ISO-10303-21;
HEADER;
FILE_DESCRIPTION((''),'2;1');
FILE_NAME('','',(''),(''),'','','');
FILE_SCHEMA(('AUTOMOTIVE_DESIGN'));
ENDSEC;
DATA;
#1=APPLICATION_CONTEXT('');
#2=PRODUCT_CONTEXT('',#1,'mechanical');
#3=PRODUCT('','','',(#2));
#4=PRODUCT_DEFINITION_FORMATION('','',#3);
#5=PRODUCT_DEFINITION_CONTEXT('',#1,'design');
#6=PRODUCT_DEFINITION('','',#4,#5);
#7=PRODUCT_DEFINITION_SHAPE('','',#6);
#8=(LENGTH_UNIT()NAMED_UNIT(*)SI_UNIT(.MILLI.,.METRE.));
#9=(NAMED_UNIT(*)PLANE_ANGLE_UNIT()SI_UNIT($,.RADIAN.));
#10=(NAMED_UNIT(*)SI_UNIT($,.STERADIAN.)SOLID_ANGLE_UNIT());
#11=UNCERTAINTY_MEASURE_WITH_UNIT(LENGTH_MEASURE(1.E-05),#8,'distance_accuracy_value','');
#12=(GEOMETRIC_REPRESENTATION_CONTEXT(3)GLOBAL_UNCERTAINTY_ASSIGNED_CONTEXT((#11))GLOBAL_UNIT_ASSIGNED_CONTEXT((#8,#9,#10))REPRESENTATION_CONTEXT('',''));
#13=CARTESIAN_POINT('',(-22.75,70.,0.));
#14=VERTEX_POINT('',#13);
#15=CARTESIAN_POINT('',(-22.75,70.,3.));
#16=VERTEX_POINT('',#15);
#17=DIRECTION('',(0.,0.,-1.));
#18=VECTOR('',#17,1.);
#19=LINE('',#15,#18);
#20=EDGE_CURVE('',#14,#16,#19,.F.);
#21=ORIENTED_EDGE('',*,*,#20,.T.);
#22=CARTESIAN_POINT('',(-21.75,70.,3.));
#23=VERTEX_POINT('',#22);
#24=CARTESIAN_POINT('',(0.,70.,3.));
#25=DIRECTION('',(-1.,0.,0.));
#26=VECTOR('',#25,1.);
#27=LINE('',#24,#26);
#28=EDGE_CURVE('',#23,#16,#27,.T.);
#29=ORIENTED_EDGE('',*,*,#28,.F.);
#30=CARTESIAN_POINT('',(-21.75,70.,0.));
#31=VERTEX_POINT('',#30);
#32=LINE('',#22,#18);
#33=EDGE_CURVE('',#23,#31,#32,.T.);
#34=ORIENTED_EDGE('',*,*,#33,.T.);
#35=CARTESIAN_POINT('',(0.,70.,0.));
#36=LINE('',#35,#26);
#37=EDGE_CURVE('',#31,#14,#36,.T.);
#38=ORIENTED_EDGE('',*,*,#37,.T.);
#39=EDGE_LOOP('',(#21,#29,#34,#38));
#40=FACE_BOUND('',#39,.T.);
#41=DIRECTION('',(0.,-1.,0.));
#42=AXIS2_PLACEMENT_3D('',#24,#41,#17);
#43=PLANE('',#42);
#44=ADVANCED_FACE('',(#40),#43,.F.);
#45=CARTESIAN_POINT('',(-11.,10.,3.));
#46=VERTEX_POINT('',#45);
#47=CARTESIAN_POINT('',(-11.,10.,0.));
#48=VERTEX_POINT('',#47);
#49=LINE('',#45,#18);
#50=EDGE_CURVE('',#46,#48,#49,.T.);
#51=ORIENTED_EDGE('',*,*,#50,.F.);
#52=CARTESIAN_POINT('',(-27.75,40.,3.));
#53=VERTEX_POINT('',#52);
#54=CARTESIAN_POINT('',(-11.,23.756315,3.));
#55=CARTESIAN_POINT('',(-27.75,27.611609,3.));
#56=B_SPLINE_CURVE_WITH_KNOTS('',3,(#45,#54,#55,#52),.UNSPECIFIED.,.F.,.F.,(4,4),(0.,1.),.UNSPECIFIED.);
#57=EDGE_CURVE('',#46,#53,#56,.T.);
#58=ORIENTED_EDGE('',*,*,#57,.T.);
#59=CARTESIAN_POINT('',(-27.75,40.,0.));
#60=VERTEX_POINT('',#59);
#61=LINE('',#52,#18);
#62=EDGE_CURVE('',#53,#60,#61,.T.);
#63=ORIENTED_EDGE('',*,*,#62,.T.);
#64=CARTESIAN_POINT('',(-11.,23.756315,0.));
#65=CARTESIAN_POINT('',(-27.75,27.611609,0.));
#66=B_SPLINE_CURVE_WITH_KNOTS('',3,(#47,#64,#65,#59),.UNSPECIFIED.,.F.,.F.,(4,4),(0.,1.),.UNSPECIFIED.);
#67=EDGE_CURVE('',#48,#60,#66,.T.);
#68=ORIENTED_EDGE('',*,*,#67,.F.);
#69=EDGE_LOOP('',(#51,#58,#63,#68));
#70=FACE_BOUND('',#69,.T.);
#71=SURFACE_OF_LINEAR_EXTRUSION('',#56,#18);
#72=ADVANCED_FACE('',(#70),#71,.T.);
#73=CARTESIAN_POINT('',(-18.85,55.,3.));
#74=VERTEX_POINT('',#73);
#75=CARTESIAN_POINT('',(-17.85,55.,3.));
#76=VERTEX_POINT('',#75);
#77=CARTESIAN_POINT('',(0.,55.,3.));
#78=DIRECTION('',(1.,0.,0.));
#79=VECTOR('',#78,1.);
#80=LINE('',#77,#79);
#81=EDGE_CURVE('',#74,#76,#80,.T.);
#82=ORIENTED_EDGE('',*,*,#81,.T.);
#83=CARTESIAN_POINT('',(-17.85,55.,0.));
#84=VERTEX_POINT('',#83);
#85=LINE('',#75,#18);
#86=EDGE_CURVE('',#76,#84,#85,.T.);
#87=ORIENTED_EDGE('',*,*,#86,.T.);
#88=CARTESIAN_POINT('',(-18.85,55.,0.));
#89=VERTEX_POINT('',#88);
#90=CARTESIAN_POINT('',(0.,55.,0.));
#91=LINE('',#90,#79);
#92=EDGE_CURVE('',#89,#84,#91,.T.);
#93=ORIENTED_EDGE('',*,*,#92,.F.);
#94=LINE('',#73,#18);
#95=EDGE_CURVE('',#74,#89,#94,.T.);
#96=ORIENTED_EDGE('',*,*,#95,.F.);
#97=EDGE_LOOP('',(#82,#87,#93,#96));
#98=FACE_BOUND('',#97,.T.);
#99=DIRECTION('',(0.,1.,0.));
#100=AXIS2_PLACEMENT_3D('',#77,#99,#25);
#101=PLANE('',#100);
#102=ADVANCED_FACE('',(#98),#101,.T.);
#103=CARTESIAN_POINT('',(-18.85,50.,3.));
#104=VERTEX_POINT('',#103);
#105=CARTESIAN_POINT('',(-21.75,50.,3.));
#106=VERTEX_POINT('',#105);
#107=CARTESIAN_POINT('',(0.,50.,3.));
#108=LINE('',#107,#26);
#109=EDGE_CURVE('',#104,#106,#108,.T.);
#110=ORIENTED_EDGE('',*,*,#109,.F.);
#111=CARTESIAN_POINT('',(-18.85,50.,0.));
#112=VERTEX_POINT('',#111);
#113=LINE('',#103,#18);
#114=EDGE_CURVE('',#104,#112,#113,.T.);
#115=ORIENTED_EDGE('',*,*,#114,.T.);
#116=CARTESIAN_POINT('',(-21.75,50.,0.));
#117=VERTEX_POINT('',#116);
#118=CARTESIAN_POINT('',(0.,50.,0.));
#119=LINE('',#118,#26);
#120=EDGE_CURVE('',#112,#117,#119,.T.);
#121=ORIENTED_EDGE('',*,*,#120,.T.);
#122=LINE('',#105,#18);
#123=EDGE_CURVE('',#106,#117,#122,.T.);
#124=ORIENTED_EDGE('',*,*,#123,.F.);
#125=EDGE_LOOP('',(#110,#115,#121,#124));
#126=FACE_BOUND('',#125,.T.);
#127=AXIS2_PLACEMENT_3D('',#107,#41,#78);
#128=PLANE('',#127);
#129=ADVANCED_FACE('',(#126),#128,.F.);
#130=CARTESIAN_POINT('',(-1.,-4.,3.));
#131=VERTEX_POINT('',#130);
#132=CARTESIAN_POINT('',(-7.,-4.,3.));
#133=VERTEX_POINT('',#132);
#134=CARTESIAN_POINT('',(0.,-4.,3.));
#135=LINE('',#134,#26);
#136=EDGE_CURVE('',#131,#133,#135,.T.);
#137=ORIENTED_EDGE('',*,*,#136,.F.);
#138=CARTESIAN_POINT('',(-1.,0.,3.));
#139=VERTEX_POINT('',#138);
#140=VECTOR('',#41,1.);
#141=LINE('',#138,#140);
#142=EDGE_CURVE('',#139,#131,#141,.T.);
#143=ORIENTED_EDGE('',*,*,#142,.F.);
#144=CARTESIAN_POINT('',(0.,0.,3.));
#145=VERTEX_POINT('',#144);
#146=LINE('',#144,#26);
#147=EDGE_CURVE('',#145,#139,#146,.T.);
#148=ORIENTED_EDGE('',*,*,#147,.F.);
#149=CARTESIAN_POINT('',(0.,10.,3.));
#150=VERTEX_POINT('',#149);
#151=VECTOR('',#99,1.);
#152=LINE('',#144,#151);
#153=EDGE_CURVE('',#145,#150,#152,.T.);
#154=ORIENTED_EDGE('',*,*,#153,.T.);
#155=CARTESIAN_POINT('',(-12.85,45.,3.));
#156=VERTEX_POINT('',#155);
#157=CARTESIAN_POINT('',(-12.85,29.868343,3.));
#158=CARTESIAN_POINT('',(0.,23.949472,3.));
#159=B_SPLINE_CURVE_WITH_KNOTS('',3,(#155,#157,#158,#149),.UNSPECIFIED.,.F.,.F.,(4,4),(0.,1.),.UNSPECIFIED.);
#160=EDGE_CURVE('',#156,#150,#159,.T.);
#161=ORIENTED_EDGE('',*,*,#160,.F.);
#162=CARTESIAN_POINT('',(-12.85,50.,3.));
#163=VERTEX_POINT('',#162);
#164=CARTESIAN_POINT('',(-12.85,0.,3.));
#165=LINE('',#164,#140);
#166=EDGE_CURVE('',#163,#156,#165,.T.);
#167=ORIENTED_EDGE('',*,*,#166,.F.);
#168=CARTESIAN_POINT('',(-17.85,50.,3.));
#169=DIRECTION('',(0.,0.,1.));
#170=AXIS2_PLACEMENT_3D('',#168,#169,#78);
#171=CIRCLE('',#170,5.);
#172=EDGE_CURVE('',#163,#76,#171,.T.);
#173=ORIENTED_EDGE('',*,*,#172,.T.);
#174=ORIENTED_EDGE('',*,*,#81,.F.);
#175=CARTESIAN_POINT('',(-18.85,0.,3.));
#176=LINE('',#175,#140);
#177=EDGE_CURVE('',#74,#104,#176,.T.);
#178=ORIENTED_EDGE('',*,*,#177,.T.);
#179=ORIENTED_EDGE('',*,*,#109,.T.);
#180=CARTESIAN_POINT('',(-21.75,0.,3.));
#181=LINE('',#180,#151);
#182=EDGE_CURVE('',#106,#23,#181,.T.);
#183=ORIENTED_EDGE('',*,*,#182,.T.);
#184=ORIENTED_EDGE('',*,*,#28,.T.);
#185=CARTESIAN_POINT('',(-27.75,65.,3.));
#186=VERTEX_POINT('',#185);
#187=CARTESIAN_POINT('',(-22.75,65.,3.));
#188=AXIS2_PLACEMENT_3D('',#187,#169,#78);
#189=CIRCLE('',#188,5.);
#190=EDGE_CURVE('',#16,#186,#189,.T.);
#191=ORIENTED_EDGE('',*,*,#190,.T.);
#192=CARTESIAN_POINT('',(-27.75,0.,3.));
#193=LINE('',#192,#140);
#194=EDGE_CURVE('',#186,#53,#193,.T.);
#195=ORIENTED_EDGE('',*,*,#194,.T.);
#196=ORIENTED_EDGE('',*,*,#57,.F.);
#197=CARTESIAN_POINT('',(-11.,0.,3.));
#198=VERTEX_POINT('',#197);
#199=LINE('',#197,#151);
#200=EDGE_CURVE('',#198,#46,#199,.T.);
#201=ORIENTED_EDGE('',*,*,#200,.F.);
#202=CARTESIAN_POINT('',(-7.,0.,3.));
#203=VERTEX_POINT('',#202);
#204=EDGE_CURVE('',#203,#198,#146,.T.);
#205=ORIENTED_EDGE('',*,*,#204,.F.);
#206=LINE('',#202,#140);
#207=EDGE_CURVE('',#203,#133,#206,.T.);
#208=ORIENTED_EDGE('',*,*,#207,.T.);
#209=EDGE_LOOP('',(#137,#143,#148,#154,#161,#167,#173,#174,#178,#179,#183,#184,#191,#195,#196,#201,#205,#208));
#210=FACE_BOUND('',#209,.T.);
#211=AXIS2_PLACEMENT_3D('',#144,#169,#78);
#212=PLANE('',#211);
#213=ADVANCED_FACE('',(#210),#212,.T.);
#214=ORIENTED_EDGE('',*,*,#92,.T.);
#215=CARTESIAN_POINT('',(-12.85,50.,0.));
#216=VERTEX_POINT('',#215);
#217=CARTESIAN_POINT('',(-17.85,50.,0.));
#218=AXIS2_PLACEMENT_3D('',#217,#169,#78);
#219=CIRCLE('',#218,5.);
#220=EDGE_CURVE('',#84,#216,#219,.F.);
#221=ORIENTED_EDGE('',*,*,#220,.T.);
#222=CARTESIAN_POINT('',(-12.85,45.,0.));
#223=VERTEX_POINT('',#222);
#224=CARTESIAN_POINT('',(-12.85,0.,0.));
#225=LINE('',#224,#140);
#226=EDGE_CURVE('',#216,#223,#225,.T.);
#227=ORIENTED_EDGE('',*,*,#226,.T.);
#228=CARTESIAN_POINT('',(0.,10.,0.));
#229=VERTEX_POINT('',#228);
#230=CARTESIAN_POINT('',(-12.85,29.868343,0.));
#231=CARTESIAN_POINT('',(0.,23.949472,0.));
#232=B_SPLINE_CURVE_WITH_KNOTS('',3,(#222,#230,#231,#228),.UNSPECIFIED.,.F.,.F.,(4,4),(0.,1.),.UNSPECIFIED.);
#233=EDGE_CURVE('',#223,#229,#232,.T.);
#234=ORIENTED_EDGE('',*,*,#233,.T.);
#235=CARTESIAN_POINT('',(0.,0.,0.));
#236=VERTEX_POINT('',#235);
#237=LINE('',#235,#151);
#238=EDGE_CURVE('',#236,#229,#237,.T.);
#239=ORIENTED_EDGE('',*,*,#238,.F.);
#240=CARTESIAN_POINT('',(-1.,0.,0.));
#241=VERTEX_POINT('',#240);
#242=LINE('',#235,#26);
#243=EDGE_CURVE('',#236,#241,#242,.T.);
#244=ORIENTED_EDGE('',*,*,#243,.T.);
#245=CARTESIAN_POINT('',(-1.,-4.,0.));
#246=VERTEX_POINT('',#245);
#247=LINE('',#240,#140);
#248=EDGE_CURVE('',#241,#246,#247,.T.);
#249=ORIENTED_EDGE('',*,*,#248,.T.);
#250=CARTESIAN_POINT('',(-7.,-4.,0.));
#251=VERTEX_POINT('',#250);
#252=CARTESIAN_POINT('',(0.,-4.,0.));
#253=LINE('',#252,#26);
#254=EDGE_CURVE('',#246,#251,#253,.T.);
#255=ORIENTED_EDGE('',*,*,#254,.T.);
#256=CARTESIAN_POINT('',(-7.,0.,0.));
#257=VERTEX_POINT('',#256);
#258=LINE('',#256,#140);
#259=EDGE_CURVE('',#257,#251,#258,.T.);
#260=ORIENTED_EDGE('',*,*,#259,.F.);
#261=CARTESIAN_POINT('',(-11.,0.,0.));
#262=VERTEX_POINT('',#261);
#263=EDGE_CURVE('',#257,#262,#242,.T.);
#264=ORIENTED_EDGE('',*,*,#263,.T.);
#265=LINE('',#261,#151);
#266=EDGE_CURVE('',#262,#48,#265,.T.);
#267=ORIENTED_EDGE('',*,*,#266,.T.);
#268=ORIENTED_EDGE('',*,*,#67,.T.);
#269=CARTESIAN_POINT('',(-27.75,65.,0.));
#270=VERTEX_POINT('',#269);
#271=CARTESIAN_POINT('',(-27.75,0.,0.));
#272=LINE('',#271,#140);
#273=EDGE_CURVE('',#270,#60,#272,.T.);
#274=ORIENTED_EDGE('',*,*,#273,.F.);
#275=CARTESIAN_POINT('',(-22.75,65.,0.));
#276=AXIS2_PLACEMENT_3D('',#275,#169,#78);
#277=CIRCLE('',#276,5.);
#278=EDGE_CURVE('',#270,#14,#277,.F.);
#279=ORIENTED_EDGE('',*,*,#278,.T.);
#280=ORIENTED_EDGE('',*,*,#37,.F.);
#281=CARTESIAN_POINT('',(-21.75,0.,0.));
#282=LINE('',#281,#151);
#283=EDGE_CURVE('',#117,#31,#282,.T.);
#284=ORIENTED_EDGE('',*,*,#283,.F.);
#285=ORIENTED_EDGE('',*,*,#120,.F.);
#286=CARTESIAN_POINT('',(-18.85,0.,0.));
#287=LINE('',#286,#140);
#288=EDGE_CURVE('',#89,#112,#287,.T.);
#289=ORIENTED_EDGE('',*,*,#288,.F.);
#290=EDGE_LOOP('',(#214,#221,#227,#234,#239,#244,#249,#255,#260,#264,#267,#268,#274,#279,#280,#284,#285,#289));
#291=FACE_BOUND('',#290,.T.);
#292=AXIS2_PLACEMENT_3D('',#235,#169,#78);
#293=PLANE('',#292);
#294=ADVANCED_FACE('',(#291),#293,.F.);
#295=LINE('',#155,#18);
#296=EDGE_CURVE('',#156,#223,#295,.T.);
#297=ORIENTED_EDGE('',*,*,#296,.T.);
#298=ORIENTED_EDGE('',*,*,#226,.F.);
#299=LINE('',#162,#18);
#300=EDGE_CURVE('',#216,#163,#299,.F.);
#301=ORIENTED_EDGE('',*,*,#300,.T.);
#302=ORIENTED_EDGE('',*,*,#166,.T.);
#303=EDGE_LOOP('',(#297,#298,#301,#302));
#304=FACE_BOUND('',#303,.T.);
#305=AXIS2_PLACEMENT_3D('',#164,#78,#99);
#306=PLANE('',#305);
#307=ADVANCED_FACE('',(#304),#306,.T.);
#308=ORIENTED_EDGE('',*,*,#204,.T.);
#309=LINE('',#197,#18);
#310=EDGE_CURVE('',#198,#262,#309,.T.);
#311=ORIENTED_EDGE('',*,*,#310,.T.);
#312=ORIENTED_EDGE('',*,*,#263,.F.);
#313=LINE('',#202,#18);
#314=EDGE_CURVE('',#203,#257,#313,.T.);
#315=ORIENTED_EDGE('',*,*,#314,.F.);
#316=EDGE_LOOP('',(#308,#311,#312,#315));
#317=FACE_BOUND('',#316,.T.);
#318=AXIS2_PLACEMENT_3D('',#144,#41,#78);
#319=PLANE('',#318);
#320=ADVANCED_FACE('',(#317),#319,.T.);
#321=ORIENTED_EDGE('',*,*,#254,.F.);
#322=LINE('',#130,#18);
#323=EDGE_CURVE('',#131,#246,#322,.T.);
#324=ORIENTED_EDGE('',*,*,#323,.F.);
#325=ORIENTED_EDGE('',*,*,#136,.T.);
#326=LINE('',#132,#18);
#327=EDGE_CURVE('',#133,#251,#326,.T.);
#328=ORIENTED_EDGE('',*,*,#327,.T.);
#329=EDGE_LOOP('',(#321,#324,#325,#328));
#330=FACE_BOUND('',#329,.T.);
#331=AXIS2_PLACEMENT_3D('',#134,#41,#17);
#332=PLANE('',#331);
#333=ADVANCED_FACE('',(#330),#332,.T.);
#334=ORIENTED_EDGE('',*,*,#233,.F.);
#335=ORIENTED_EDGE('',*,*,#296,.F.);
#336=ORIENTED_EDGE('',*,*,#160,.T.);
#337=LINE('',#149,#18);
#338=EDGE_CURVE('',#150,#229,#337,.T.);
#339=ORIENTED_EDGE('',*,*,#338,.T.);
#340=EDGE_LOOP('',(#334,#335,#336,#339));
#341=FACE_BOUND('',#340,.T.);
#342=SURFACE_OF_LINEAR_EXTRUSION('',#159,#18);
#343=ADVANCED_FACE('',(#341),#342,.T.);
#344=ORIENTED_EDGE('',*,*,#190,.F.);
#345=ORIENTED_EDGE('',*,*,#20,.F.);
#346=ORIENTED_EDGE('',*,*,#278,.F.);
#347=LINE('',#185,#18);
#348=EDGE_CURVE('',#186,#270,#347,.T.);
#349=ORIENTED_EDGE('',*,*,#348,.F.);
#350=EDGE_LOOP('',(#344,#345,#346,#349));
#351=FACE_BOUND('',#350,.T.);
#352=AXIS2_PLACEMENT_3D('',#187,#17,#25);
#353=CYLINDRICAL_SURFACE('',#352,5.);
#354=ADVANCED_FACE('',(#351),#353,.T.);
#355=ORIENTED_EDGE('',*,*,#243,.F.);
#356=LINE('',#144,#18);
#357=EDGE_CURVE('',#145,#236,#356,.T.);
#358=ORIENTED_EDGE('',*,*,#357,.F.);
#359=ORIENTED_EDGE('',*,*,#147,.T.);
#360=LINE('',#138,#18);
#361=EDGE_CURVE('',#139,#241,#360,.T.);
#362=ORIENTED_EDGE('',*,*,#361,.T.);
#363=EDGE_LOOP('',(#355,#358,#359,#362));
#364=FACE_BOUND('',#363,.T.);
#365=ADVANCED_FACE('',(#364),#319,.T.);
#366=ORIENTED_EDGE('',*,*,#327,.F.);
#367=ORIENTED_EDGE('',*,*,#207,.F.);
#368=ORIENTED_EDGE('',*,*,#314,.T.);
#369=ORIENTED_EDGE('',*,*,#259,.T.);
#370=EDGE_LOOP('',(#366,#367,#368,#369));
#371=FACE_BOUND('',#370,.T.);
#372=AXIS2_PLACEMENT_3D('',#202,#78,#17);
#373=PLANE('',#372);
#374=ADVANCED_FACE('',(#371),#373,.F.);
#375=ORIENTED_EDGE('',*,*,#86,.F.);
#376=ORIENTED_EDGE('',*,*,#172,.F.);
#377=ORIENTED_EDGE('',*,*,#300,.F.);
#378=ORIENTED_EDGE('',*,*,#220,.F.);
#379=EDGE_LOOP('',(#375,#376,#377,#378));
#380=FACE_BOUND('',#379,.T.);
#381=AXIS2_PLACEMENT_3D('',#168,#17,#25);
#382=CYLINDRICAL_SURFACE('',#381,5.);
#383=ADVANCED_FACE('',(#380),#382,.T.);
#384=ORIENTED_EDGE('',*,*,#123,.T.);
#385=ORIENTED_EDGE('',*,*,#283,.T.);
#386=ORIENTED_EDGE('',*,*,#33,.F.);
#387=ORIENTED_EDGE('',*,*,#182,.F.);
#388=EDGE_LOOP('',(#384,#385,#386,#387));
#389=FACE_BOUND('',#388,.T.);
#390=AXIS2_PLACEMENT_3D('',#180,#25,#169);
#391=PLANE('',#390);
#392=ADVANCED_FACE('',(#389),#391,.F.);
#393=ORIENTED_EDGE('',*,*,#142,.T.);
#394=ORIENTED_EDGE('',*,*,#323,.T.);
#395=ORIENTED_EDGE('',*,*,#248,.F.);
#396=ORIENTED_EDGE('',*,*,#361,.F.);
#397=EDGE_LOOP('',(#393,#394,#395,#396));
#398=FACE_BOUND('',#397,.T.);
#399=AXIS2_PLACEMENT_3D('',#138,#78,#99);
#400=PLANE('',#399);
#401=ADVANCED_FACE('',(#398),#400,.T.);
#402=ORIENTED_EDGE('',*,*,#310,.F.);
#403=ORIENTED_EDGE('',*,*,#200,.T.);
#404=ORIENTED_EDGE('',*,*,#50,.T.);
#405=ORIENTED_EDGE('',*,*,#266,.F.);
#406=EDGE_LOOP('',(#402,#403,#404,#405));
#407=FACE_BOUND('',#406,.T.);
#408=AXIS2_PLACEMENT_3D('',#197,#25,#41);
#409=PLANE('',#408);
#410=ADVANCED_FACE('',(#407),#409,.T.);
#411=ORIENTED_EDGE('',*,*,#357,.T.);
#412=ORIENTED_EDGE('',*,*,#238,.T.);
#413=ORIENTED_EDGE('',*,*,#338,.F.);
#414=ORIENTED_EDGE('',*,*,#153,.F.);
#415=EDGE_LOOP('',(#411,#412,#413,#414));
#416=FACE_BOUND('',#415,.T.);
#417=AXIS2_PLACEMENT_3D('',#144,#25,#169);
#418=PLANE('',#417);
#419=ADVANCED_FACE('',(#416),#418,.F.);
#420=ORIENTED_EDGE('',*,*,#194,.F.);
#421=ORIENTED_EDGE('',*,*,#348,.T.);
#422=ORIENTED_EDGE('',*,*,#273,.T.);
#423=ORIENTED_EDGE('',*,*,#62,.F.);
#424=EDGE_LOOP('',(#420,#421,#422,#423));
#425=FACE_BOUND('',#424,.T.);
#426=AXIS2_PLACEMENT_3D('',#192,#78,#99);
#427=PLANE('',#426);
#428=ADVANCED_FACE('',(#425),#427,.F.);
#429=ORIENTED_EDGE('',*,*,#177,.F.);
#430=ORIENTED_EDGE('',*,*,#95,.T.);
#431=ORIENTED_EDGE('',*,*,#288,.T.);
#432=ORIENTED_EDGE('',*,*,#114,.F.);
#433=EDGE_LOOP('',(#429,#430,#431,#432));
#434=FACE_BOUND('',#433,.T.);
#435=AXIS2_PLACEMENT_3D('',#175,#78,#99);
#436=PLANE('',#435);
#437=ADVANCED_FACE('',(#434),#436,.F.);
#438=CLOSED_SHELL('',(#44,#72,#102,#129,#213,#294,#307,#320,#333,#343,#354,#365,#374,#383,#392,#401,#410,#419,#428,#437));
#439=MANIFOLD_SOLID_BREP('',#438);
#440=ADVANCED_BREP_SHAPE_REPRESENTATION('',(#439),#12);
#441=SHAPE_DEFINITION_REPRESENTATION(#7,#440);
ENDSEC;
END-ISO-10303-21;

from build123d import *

# Parameters (mm, degrees)
SKETCH1_W           = 6
SKETCH1_H           = 4
BOSS_EXTRUDE1_DEPTH = 3
FILLET1_R           = 5


with BuildPart() as part:
    # Sketch1 → Boss-Extrude1 (new body)
    with BuildSketch(Plane.XY):
        with BuildLine():
            Line((0, 0), (-11, 0))
            Line((-11, 0), (-11, 10))
            add(Edge.make_bspline(
                [(-11, 10), (-11, 23.756315473), (-27.75, 27.611609377), (-27.75, 40)],
                knots=[0, 0, 0, 0, 1, 1, 1, 1], degree=3))
            Line((-27.75, 40), (-27.75, 70))
            Line((-27.75, 70), (-21.75, 70))
            Line((-21.75, 70), (-21.75, 50))
            Line((-21.75, 50), (-18.85, 50))
            Line((-18.85, 50), (-18.85, 55))
            Line((-18.85, 55), (-12.85, 55))
            Line((-12.85, 55), (-12.85, 45))
            add(Edge.make_bspline(
                [(-12.85, 45), (-12.85, 29.868343374), (0, 23.949472312), (0, 10)],
                knots=[0, 0, 0, 0, 1, 1, 1, 1], degree=3))
            Line((0, 10), (0, 0))
        make_face()
        with Locations((-4, -2)):
            Rectangle(SKETCH1_W, SKETCH1_H)
    extrude(amount=BOSS_EXTRUDE1_DEPTH)

    # Fillet1
    fillet1_edges = [part.edges().sort_by_distance(p)[0] for p in [
        (-27.75, 70, 1.5),
        (-12.85, 55, 1.5),
    ]]
    fillet(fillet1_edges, radius=FILLET1_R)


solid = part.part
